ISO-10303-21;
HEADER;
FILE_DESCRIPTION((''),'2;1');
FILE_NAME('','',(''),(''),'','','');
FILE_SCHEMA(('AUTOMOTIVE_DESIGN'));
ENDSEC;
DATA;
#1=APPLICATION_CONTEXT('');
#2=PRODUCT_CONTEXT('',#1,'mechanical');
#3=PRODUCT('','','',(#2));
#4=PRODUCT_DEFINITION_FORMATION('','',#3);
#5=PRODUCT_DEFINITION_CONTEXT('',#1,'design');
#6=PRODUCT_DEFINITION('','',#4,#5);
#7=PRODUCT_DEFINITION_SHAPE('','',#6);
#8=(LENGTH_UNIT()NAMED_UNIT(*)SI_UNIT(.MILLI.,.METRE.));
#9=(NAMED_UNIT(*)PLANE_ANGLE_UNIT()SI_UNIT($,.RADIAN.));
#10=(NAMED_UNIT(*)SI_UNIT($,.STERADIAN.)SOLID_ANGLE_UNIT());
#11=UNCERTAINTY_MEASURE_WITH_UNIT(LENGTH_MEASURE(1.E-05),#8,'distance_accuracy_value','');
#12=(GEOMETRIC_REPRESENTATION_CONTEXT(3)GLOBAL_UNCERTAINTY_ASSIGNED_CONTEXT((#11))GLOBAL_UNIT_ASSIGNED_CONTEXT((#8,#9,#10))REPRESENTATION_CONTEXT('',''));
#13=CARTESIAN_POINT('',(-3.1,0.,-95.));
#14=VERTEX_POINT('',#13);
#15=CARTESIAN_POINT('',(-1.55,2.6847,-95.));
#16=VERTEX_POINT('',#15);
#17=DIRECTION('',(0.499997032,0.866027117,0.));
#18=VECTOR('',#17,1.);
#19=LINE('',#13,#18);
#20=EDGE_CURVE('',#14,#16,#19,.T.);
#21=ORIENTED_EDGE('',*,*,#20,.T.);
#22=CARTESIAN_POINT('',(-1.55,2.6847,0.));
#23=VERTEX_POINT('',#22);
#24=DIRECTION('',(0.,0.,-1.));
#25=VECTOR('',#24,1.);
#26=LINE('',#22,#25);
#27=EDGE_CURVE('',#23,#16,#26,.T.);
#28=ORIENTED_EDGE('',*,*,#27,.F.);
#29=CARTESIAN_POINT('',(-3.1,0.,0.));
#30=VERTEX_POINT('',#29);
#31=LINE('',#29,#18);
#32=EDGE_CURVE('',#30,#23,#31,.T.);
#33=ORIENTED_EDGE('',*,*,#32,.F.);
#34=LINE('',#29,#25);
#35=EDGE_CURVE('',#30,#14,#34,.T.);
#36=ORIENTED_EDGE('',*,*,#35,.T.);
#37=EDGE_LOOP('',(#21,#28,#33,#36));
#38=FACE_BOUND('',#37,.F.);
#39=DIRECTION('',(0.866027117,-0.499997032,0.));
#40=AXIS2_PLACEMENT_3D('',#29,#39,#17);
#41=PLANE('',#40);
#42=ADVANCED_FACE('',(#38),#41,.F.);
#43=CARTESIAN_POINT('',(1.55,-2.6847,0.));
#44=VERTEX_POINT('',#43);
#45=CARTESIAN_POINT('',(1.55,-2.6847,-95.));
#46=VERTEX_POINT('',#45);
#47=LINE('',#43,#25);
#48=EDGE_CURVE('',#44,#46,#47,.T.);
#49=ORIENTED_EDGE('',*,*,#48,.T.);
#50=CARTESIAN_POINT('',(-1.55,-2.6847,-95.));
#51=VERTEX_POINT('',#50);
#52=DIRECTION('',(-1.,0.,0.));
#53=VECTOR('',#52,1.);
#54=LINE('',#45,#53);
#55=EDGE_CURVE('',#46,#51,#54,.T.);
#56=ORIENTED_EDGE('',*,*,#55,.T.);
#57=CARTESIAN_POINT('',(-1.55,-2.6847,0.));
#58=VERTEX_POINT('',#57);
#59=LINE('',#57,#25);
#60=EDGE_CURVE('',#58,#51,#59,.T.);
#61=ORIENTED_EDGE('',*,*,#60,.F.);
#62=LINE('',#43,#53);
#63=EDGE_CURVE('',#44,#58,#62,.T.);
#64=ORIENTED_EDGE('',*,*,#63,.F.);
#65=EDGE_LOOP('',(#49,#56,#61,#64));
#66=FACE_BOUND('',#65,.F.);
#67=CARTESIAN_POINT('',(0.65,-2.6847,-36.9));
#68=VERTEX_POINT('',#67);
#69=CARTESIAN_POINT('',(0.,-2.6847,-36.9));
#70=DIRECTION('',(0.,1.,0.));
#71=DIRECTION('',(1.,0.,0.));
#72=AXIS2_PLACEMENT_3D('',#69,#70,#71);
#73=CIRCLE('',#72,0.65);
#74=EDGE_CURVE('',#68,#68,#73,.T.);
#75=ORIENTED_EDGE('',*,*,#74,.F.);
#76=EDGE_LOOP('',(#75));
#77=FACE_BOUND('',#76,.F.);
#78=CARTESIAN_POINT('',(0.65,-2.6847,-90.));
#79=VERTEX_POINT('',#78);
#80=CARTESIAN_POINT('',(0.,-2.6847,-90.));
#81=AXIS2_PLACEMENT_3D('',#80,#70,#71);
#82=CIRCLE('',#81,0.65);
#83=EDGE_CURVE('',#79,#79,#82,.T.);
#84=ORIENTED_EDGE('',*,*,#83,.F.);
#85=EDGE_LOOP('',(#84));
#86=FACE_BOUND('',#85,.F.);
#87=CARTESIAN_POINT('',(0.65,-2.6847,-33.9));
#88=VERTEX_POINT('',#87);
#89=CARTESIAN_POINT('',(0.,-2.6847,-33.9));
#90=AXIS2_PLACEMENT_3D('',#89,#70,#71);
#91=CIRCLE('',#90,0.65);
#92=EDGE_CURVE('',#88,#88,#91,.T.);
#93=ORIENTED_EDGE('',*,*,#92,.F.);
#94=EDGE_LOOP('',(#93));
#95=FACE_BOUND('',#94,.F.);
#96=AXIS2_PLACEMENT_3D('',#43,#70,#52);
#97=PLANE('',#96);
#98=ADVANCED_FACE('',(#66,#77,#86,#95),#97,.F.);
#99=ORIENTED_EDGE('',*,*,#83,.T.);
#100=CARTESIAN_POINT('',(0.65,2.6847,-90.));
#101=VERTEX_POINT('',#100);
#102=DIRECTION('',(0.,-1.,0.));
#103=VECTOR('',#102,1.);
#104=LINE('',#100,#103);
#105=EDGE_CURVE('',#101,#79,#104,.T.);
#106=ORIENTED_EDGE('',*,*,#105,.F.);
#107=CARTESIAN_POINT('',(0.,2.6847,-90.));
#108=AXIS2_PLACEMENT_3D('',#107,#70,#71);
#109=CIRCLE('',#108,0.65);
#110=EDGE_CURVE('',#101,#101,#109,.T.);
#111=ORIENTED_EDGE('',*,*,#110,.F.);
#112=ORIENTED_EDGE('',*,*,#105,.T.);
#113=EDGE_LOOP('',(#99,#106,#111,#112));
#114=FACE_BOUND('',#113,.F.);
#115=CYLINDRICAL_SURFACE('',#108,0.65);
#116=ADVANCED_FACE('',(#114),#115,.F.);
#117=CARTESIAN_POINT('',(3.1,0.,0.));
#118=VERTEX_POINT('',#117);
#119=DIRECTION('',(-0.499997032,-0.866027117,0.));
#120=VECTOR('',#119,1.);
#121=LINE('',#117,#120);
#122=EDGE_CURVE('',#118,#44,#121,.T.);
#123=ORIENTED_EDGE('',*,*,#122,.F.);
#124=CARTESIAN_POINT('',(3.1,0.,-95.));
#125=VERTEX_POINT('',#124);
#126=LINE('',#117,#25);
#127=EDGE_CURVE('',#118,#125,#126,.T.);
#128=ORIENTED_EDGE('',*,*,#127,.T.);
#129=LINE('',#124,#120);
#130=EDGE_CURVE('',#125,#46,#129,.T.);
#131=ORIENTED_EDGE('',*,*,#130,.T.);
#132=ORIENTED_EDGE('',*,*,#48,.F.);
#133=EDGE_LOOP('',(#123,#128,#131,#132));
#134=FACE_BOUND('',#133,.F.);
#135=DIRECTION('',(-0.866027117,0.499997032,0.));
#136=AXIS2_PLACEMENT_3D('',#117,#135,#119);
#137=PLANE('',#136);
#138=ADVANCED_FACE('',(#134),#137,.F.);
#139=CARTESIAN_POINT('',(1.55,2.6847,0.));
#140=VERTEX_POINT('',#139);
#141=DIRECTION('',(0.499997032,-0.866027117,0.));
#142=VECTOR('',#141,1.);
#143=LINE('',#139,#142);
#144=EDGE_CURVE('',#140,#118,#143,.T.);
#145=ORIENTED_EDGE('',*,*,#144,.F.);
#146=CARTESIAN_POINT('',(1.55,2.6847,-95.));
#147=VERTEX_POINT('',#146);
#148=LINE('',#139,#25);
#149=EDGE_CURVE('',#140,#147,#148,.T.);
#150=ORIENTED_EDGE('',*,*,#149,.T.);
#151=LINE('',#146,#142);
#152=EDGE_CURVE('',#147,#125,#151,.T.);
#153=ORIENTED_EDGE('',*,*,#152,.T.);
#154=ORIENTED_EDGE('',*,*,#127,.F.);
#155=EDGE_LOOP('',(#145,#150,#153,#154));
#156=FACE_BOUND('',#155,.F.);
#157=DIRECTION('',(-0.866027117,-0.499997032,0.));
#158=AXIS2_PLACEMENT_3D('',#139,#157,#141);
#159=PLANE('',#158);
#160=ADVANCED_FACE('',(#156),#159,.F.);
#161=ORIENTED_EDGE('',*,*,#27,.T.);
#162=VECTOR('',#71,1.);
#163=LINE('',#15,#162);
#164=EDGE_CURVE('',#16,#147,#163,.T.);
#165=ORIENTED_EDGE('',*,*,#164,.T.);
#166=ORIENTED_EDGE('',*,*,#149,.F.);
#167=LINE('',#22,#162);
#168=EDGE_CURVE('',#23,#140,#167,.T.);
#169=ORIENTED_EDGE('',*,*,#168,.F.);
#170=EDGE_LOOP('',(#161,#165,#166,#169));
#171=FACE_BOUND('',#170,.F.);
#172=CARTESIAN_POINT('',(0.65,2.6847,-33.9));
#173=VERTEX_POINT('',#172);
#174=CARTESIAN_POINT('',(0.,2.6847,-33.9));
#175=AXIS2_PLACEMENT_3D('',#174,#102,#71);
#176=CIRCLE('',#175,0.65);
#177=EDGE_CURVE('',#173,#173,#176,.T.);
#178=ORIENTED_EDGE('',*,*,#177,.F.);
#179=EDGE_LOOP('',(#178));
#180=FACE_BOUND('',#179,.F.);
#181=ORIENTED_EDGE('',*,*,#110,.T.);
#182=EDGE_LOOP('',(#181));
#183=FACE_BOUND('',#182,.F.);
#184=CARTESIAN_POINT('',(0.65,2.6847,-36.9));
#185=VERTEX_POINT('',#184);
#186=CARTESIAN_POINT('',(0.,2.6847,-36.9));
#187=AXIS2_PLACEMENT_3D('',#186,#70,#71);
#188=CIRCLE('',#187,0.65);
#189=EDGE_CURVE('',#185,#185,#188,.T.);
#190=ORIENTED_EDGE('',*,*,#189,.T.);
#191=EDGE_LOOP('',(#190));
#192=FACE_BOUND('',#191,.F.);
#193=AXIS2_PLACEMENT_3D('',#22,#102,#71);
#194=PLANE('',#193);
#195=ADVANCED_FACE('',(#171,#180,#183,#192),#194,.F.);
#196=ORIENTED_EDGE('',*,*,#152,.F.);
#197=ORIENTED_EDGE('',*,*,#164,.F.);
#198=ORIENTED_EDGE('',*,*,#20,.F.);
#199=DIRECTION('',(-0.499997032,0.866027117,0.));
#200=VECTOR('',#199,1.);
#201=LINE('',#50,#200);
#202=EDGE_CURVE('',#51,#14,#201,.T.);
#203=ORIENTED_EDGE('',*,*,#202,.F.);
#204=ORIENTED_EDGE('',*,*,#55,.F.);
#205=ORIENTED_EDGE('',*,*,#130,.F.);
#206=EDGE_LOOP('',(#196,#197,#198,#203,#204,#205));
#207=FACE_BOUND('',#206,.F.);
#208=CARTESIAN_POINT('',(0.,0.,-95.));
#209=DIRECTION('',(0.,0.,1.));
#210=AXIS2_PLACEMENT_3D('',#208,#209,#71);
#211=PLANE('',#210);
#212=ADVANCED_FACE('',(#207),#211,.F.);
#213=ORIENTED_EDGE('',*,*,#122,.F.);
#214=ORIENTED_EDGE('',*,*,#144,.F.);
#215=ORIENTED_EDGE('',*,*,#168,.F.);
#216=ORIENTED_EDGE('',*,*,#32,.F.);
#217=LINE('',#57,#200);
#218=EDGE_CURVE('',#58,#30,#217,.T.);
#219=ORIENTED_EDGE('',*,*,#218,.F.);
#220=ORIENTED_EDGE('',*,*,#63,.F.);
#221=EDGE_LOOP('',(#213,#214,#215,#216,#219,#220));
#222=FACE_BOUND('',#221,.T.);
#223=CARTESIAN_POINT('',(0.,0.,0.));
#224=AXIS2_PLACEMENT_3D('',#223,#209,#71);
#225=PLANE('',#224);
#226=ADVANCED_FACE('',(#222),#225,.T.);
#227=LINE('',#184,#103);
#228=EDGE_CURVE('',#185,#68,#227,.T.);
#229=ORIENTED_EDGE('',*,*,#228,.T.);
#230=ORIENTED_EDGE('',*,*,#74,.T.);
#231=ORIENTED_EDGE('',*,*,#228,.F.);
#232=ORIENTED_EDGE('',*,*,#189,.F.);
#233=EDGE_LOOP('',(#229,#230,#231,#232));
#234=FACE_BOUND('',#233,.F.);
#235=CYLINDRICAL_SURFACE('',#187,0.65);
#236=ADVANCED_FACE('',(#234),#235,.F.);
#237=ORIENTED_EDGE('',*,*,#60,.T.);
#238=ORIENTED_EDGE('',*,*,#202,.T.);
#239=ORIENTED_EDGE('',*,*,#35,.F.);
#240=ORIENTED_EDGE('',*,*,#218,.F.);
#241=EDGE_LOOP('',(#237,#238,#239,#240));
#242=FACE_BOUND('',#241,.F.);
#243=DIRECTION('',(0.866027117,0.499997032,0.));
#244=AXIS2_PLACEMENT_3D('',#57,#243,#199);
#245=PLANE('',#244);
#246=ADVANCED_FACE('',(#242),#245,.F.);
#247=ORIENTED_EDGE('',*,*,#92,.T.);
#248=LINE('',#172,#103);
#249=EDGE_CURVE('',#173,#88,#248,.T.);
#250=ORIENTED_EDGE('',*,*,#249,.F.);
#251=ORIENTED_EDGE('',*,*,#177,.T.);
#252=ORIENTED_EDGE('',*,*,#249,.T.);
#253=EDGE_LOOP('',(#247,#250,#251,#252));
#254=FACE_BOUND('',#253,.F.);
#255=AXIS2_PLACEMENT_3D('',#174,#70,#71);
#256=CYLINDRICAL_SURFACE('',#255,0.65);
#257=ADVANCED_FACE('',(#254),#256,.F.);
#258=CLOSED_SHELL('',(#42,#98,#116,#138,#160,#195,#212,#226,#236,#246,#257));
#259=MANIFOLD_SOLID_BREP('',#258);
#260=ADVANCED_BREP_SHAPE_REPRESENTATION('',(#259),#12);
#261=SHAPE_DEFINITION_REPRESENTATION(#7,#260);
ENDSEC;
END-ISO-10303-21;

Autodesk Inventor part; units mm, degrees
ref_plane "YZ Plane" through (0, 0, 0) normal (1, 0, 0) x (0, 1, 0)
ref_plane "XZ Plane" through (0, 0, 0) normal (0, 1, 0) x (-1, 0, 0)
ref_plane "XY Plane" through (0, 0, 0) normal (0, 0, 1) x (1, 0, 0)
sketch "Sketch1" plane through (0, 0, 0) normal (0, 0, 1) x (1, 0, 0)
  circle A0 centre (0, 0) radius 7.5 projected
  line L0 (-1.7809, 3.0847) -> (1.7809, 3.0847) projected
  line L1 (0, 0) -> (3.1, 0) construction
  line L2 (0, 0) -> (1.55, 2.6847) construction
  line L3 (0, 0) -> (-1.55, 2.6847) construction
  line L4 (0, 0) -> (-3.1, 0) construction
  line L5 (0, 0) -> (-1.55, -2.6847) construction
  line L6 (0, 0) -> (1.55, -2.6847) construction
  line L7 (-1.55, 2.6847) -> (1.55, 2.6847)
  line L8 (1.55, 2.6847) -> (3.1, 0)
  line L9 (3.1, 0) -> (1.55, -2.6847)
  line L10 (1.55, -2.6847) -> (-1.55, -2.6847)
  line L11 (-1.55, -2.6847) -> (-3.1, 0)
  line L12 (-3.1, 0) -> (-1.55, 2.6847)
  dimension "d0" = 3.1
  dimension "d3" = 360
extrude "Extrusion1" add sketch "Sketch1" against normal blind 95 contours L7 L8 L9 L10 L11 L12
sketch "Sketch2" plane through (-1.55, 2.6847, 0) normal (0, 1, 0) x (1, 0, 0)
  line L0 (0, 0) -> (0, 95) projected
  line L1 (3.1, 0) -> (3.1, 95) projected
  circle A0 centre (1.55, 33.9) radius 0.65
  circle A1 centre (1.55, 36.9) radius 0.65
  line L2 (3.1, 0) -> (0, 0) projected
  circle A2 centre (1.5476, 33.9) radius 0.65 projected
  circle A3 centre (1.55, 90) radius 0.65
  line L3 (0, 95) -> (3.1, 95) projected
  point P0 (1.55, 0)
  point P1 (1.55, 0)
  point P2 (1.55, 0)
  point P3 (1.5488, 34.55)
  point P4 (1.5488, 33.25)
  dimension "d7" = 1.3
  dimension "d8" = 3
  dimension "d9" = 33.9
  dimension "d10" = 5
extrude "Extrusion2" cut sketch "Sketch2" against normal blind 10 contours A0 A2 | A2 A0 | A1 | A3
properties part number "eje4_n"
